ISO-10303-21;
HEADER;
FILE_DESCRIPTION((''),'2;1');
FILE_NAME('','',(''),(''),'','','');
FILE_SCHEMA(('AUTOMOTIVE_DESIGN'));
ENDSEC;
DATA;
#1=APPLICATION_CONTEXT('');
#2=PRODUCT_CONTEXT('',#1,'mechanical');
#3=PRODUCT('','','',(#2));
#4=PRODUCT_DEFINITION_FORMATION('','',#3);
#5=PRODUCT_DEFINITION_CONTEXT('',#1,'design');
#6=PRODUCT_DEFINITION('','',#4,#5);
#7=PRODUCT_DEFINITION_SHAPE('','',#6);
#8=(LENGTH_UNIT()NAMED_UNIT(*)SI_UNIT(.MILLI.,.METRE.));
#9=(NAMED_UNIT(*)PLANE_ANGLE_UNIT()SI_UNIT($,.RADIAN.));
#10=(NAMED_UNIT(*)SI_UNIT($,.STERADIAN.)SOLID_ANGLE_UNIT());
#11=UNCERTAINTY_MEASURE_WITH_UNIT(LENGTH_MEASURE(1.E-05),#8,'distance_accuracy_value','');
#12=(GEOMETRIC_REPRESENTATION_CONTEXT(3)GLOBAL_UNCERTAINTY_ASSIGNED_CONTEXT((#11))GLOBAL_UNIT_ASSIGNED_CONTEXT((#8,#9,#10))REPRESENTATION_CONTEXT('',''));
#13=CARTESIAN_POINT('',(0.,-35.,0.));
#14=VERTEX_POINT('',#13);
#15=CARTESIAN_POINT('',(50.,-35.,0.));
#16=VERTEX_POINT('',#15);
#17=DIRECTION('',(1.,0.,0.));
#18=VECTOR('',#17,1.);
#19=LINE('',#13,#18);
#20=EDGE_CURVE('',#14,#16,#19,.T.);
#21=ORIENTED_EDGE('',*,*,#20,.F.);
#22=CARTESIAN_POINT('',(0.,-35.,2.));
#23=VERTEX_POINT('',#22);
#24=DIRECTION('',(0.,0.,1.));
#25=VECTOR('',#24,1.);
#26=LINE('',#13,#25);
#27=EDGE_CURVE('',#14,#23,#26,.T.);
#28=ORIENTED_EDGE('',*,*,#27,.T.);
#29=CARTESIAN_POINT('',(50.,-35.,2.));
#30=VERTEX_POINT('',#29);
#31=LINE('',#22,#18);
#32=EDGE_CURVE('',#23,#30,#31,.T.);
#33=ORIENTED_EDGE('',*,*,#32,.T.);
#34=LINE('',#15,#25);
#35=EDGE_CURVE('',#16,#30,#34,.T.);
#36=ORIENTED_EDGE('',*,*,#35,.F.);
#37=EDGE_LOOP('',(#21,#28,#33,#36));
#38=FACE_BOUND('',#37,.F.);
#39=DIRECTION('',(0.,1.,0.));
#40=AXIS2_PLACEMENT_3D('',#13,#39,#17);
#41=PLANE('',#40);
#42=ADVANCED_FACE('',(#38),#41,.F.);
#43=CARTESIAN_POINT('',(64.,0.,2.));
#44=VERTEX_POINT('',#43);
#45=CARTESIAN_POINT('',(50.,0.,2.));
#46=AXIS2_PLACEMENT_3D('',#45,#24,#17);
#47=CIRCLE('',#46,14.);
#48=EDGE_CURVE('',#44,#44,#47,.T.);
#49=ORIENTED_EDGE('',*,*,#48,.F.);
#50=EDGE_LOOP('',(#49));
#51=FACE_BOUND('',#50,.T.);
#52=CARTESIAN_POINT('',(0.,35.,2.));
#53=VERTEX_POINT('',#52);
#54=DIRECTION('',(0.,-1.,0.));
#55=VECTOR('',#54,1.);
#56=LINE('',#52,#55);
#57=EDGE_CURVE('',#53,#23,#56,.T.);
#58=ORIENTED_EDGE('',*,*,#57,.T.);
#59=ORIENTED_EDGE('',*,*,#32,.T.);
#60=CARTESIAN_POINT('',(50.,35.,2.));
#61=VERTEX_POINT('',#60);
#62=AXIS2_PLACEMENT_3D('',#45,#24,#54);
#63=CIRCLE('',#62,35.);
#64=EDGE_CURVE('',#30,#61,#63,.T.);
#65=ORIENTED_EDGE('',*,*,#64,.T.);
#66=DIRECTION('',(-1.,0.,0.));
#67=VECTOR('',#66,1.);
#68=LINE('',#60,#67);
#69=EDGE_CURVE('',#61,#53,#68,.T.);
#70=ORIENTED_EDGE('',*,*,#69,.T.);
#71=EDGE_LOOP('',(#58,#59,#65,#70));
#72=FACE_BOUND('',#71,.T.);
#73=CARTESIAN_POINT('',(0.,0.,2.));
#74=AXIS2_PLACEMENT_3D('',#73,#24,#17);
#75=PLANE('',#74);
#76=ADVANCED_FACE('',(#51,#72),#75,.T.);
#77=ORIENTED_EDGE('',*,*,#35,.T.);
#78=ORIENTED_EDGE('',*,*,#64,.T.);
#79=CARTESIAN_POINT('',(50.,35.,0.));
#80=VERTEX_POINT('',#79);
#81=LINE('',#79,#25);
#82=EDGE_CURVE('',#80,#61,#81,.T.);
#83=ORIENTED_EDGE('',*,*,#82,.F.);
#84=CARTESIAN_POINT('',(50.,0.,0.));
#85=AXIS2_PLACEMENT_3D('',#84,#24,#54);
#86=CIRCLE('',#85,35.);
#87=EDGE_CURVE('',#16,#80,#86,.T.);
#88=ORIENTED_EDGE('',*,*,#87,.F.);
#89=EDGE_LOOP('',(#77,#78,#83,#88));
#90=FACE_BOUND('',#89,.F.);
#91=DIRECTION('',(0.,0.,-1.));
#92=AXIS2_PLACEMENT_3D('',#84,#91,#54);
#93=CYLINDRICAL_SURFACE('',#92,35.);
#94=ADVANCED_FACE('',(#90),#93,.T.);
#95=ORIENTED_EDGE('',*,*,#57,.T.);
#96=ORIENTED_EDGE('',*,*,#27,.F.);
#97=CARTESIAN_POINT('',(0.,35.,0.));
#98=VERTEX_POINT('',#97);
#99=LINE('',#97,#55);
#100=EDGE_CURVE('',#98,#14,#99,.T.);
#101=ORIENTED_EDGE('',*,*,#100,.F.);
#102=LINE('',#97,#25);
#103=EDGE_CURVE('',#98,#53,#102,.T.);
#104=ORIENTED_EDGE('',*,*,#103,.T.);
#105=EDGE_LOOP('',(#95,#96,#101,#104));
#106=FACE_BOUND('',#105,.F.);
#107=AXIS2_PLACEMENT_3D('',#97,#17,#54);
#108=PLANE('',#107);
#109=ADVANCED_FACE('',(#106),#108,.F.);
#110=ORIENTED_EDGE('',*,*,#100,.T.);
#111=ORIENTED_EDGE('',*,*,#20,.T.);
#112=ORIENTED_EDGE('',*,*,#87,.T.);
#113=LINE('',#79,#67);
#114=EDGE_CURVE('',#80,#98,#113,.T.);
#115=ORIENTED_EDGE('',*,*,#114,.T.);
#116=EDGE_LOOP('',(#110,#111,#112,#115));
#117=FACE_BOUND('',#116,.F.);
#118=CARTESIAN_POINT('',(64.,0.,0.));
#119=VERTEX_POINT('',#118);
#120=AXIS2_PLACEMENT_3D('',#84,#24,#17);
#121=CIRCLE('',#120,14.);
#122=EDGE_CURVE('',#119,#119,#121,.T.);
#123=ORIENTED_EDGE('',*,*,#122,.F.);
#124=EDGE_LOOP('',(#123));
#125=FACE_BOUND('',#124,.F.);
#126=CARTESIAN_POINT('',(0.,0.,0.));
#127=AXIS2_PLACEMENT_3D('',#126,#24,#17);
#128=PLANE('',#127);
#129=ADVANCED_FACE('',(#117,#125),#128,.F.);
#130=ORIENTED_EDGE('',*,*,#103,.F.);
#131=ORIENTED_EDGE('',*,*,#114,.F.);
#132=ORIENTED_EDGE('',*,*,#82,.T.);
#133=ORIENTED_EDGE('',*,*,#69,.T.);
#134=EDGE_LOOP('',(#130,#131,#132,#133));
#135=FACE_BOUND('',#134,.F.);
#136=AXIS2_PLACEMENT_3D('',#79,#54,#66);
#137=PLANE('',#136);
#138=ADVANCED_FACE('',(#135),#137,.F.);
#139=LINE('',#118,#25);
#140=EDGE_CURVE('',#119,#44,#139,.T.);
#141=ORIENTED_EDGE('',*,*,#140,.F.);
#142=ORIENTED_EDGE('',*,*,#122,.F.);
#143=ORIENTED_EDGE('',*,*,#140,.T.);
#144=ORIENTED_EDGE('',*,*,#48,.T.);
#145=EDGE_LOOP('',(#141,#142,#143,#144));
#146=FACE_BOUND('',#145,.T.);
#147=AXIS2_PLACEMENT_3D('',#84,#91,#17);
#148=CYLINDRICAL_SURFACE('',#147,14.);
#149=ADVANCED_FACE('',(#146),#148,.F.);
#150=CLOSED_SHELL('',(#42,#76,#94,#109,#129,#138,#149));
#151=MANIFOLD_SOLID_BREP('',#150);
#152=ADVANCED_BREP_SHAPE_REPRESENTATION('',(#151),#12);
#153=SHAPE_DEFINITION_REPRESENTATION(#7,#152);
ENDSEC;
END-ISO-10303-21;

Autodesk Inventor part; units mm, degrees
ref_plane "YZ Plane" through (0, 0, 0) normal (1, 0, 0) x (0, 1, 0)
ref_plane "XZ Plane" through (0, 0, 0) normal (0, 1, 0) x (-1, 0, 0)
ref_plane "XY Plane" through (0, 0, 0) normal (0, 0, 1) x (1, 0, 0)
sketch "Sketch1" plane through (0, 0, 0) normal (0, 0, 1) x (1, 0, 0)
  line L0 (0, 35) -> (0, -35)
  line L1 (0, -35) -> (50, -35)
  line L2 (50, 35) -> (0, 35)
  circle A0 centre (50, 0) radius 14
  arc A1 (50, -35) -> (50, 35) centre (50, 0) ccw
  point P0 (0, 0)
  point P1 (0, 0)
  dimension "d11" = 70
  dimension "d12" = 50
  dimension "d14" = 28
extrude "Plate1" add sketch "Sketch1" along normal blind 2
equation "\"d5\" = Thickness"
equation "\"BendReliefWidth\" = Thickness"
equation "\"BendReliefDepth\" = 0.5 * Thickness"
equation "\"CornerReliefSize\" = 4 * Thickness"
equation "\"MinimumRemnant\" = 2 * Thickness"
equation "\"TransitionRadius\" = BendRadius"
equation "\"JacobiRadiusSize\" = BendRadius"
equation "\"GapSize\" = Thickness"
equation "\"Thickness\" = 2"
equation "\"BendRadius\" = 2.75"
properties part number "AKVA MSC 0512 transverse ring1 4mm 304 8pcs" material "Stainless Steel"
